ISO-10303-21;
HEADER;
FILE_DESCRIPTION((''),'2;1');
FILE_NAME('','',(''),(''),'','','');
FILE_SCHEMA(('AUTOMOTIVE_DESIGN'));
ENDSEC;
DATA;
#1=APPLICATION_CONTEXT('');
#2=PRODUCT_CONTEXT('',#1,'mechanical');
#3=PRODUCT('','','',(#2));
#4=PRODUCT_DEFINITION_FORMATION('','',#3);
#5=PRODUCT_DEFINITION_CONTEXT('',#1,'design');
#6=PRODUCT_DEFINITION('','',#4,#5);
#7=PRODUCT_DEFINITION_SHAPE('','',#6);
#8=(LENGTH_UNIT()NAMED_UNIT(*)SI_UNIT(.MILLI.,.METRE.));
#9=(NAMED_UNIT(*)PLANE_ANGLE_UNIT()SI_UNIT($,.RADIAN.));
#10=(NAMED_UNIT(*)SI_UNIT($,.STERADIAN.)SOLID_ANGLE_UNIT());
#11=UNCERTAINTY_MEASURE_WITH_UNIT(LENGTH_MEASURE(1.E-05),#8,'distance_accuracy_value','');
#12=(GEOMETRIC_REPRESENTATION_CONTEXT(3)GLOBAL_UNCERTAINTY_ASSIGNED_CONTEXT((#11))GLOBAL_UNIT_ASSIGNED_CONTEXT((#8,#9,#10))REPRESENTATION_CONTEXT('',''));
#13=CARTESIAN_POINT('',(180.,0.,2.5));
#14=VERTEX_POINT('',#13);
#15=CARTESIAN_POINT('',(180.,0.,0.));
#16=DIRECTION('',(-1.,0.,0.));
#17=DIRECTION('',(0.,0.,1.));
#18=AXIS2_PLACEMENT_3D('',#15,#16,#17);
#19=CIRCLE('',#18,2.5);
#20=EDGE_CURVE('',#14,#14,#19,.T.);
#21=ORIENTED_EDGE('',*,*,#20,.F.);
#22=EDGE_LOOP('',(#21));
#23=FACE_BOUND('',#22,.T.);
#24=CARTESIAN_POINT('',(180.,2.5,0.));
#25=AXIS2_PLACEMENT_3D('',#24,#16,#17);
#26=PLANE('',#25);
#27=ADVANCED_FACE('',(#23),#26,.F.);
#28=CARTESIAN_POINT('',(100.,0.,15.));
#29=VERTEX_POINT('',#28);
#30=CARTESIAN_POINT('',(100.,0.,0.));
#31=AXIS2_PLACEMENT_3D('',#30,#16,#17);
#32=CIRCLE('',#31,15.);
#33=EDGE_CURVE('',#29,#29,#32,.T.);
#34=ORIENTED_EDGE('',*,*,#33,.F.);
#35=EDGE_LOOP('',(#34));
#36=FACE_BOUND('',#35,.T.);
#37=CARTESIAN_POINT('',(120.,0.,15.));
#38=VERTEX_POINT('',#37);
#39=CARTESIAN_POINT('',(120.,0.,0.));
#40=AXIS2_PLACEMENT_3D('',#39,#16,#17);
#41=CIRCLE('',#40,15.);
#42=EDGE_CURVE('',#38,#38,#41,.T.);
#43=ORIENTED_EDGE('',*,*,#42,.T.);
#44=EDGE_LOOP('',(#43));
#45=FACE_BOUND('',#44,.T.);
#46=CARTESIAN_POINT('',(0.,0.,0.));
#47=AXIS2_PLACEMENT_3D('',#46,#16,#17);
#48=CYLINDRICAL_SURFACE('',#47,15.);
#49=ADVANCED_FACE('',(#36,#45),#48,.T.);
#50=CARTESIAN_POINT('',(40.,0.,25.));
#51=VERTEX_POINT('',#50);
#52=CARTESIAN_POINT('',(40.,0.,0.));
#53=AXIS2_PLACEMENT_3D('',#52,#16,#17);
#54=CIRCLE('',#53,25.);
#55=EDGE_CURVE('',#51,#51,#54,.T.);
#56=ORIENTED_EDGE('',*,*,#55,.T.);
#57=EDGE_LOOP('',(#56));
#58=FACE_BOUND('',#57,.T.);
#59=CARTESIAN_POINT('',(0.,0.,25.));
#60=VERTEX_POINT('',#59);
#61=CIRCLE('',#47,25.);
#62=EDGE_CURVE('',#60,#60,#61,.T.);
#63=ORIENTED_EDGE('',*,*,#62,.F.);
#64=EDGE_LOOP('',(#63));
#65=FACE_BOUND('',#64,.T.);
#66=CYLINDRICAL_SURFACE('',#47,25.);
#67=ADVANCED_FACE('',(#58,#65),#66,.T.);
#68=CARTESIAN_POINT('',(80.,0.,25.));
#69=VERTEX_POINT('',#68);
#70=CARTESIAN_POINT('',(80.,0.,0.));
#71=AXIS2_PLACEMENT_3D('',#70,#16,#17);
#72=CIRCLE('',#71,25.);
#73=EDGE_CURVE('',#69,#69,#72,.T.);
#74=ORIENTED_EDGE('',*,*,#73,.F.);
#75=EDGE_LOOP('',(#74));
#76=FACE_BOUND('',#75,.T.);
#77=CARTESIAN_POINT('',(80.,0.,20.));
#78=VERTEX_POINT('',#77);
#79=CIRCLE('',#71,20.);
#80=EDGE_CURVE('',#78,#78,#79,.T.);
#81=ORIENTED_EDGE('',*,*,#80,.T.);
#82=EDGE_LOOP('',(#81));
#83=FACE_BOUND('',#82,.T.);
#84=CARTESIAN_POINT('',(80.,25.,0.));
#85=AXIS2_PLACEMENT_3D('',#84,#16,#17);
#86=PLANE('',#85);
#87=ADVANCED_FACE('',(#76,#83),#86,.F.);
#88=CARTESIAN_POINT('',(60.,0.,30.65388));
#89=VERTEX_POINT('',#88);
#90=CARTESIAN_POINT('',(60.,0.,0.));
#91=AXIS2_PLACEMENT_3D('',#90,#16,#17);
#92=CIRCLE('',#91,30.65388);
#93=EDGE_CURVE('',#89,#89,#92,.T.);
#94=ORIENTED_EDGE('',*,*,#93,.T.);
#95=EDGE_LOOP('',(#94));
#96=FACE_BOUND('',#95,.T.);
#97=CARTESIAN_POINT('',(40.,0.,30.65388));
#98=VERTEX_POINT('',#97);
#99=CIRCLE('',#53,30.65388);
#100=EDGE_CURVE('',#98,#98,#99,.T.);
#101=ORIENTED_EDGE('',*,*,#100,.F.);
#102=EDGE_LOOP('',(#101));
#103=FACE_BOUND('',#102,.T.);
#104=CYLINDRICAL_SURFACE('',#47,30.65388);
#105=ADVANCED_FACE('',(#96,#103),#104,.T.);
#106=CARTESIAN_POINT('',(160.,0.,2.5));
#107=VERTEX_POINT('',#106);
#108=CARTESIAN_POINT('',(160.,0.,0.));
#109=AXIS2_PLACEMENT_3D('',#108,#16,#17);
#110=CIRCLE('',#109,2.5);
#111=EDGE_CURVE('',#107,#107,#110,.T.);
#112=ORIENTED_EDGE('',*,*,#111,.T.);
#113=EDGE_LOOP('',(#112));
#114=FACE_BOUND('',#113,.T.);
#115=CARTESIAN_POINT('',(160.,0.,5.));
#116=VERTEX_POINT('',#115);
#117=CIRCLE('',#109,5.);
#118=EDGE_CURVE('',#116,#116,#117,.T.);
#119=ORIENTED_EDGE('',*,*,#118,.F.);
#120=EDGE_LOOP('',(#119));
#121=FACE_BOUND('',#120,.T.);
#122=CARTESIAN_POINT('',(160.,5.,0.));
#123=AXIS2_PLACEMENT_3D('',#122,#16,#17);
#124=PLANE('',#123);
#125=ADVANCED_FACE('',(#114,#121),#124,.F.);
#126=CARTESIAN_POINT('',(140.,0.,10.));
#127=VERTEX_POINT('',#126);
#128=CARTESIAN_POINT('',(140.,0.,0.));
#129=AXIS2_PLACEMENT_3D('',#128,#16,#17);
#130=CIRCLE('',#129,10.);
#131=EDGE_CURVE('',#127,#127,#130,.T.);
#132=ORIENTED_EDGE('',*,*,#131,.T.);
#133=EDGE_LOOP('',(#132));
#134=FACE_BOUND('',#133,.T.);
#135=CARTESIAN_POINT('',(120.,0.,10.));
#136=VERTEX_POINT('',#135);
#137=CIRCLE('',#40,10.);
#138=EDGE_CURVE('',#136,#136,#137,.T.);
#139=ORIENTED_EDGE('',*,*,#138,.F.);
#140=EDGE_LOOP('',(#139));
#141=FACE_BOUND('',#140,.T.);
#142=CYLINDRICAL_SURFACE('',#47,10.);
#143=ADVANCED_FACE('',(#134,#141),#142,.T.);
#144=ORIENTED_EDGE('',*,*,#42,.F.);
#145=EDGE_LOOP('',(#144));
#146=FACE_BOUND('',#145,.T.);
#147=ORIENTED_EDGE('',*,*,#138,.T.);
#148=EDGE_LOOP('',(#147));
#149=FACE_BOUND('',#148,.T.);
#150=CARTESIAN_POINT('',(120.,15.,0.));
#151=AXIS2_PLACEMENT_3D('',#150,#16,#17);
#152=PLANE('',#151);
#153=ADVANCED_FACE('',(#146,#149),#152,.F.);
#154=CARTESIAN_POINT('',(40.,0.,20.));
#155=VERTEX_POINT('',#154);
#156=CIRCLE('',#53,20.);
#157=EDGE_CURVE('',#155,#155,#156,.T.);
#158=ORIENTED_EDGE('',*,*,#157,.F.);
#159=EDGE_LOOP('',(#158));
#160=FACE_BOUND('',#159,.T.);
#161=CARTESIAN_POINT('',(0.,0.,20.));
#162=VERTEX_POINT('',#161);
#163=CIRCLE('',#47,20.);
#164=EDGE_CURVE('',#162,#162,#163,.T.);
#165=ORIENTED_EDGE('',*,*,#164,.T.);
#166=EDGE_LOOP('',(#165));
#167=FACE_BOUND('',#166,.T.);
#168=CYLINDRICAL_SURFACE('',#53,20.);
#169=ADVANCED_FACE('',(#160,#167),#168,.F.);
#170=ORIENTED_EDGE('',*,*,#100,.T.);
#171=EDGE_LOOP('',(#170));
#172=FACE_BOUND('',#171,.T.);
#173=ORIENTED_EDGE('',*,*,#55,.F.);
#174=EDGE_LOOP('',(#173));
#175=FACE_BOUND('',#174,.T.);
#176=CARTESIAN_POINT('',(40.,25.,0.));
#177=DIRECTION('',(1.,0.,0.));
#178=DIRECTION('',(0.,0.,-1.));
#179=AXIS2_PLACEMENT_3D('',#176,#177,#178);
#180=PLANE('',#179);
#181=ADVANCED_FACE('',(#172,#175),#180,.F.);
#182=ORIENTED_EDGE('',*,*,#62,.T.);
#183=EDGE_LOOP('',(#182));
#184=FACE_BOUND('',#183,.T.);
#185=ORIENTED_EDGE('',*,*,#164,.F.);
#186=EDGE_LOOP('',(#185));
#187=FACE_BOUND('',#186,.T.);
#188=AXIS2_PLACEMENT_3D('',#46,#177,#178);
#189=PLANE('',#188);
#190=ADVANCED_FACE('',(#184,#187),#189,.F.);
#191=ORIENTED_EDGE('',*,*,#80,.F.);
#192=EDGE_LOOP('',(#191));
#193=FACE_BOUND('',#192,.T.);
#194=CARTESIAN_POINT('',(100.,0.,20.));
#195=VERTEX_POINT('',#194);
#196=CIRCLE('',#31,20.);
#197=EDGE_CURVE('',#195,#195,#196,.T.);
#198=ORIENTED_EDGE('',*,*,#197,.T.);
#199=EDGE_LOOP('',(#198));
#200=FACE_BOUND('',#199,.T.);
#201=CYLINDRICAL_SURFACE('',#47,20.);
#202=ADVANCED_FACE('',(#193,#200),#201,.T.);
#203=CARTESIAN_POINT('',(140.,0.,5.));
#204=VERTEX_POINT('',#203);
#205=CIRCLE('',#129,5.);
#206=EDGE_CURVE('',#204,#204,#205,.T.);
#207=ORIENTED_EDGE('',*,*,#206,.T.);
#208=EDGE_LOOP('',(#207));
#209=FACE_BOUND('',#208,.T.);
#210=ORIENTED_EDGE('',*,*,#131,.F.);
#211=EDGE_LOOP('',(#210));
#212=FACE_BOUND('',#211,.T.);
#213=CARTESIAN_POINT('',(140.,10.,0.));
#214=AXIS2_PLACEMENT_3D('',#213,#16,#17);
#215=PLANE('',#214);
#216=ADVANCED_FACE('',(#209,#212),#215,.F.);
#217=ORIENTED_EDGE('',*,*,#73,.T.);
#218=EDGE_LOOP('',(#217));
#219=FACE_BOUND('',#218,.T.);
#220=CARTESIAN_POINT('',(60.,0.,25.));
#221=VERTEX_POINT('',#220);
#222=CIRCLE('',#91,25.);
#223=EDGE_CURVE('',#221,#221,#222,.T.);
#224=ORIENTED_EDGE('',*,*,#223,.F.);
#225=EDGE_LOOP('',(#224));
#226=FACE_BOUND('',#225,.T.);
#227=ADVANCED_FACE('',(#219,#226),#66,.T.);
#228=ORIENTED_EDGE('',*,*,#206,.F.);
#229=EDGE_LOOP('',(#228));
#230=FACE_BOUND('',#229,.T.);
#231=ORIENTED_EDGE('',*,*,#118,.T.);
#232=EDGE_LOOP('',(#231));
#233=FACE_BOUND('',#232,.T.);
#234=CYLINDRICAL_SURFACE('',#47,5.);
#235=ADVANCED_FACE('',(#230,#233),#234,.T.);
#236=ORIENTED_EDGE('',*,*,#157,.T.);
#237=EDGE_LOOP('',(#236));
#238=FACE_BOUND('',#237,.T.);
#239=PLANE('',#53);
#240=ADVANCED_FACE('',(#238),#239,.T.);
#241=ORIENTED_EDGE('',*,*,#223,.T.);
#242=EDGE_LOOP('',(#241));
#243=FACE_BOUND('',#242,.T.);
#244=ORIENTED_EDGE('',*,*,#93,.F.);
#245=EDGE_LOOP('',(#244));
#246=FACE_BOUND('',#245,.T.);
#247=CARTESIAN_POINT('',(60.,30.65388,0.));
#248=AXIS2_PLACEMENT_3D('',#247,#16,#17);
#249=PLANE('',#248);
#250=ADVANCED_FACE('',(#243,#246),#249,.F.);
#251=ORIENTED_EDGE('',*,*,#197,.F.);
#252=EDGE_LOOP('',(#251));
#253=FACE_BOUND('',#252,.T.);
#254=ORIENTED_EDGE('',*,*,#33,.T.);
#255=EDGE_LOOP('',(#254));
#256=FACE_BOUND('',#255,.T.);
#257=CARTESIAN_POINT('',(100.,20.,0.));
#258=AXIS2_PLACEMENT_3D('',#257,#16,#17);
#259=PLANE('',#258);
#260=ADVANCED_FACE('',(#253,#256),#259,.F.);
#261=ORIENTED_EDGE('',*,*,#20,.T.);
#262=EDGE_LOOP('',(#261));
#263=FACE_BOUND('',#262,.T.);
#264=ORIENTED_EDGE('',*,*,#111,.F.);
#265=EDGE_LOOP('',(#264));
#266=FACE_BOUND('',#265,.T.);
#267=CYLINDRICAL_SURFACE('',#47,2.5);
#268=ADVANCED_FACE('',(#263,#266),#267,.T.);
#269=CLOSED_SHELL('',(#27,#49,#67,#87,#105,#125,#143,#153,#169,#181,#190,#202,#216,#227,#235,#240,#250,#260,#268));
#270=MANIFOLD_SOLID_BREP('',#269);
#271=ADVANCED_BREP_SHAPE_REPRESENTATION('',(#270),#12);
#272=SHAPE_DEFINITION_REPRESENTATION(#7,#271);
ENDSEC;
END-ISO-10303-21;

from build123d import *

# Parameters (mm, degrees)
SKETCH2_R          = 20
CUT_EXTRUDE1_DEPTH = 40


with BuildPart() as part:
    # Sketch1 → Revolve1 (revolve)
    with BuildSketch(Plane.XY, mode=Mode.PRIVATE) as revolve1_sk:
        Polygon((0, 0), (0, 25), (40, 25), (40, 30.653880235), (60, 30.653880235), (60, 25), (80, 25), (80, 20), (100, 20), (100, 15), (120, 15), (120, 10), (140, 10), (140, 5), (160, 5), (160, 2.5), (180, 2.5), (180, 0), align=None)
    revolve(revolve1_sk.sketch.rotate(Axis((0, 0, 0), (1, 0, 0)), 90), axis=Axis((0, 0, 0), (1, 0, 0)))  # turned: the seam where the file's is

    # Sketch2 → Cut-Extrude1 (cut)
    with BuildSketch(Plane.ZY):
        Circle(SKETCH2_R)
    extrude(amount=-CUT_EXTRUDE1_DEPTH, mode=Mode.SUBTRACT)


solid = part.part
